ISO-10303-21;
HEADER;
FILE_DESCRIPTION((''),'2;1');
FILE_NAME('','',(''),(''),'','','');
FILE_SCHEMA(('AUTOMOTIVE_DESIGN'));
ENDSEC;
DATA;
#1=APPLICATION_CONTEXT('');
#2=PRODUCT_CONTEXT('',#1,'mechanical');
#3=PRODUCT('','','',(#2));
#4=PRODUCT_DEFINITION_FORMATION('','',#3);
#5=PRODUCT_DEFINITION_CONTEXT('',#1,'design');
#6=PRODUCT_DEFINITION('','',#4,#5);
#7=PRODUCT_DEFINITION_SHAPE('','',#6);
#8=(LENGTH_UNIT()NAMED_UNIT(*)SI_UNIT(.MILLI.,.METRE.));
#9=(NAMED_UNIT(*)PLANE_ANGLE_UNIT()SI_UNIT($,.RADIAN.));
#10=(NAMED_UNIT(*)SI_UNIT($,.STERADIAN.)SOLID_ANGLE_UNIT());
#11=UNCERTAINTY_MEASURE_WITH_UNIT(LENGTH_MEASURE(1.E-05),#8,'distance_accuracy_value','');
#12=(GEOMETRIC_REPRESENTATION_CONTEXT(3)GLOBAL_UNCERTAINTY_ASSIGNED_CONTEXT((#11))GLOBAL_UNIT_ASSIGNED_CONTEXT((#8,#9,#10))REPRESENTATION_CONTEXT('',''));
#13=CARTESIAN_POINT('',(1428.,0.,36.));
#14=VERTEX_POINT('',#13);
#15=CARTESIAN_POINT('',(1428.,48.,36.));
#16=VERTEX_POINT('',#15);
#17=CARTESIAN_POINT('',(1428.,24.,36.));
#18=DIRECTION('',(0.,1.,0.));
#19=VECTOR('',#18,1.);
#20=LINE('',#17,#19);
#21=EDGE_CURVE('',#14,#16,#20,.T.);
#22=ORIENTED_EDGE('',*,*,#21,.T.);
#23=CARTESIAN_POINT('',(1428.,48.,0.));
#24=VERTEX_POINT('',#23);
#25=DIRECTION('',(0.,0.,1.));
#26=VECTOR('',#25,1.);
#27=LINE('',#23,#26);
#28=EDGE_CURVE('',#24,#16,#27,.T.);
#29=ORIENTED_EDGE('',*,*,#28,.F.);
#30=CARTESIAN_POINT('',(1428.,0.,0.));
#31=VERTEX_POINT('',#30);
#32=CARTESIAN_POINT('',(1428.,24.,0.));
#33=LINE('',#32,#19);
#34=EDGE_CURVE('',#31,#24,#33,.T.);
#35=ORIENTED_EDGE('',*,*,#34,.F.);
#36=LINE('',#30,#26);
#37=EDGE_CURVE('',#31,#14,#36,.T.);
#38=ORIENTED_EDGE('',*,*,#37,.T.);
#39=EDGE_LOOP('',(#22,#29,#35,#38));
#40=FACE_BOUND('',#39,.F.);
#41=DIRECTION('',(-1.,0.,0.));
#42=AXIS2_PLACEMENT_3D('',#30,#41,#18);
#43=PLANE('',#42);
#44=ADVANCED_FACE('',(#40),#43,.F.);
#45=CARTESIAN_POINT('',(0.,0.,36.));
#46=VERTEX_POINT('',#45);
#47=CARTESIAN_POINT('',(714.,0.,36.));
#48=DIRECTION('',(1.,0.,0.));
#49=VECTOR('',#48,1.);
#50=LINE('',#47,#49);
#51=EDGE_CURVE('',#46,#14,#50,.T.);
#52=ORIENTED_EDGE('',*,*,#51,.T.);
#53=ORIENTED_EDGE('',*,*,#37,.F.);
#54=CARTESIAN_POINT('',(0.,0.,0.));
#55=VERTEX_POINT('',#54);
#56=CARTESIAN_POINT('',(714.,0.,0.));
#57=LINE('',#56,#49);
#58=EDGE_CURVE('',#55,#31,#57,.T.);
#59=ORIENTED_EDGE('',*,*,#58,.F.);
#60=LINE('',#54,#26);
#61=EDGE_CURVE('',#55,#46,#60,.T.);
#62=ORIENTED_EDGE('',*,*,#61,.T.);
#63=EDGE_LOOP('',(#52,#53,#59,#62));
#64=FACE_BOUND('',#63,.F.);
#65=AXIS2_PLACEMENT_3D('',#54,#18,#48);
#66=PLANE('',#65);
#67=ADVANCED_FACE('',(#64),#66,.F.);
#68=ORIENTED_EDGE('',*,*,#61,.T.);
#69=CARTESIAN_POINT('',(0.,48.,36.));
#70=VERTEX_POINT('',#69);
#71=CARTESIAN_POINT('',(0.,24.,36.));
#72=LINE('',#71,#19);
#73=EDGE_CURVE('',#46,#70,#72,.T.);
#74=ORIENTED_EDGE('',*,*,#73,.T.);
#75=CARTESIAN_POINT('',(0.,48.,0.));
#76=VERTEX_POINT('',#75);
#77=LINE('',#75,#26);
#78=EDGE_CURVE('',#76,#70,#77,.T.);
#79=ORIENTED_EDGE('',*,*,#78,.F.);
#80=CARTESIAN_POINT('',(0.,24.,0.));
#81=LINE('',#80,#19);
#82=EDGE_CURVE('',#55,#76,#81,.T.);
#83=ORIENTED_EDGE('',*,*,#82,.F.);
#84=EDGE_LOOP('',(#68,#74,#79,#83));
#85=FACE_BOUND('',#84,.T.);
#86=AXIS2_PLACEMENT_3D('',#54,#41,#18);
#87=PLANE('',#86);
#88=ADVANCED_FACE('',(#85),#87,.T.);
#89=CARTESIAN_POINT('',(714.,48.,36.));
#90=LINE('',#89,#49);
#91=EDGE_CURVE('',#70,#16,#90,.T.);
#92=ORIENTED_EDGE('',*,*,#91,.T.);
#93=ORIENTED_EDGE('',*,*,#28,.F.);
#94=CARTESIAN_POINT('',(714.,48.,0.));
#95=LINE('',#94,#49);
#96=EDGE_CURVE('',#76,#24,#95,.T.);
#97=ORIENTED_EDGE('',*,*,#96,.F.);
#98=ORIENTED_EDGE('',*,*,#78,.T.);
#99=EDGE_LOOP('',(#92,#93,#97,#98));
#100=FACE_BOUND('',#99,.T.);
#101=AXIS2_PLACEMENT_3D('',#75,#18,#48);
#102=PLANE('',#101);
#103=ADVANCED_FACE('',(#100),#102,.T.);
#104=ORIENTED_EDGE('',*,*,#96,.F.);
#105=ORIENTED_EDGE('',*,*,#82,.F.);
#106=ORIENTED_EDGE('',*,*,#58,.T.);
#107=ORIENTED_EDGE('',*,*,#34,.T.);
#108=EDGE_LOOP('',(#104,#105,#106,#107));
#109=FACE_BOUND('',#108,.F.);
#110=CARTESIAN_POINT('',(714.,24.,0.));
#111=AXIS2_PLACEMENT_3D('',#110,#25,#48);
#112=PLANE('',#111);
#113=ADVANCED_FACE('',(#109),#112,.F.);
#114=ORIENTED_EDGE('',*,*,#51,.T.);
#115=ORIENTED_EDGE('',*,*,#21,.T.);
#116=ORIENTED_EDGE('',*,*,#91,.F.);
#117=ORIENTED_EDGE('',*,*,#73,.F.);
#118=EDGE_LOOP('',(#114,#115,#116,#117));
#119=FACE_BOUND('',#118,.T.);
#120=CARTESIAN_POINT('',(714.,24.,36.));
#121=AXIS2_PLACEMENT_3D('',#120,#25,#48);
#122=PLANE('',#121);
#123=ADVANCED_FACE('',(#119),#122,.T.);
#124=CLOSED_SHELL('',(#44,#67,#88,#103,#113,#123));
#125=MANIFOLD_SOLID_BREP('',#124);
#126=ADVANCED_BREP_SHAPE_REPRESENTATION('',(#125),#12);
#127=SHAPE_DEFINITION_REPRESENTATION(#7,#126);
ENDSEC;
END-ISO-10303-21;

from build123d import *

# Parameters (mm, degrees)
BOX_W     = 1428
BOX_H     = 48
BOX_DEPTH = 36


with BuildPart() as part:
    # Box → Box (new body)
    with BuildSketch(Plane.XY):
        with Locations((714, 24)):
            Rectangle(BOX_W, BOX_H)
    extrude(amount=BOX_DEPTH)


solid = part.part
